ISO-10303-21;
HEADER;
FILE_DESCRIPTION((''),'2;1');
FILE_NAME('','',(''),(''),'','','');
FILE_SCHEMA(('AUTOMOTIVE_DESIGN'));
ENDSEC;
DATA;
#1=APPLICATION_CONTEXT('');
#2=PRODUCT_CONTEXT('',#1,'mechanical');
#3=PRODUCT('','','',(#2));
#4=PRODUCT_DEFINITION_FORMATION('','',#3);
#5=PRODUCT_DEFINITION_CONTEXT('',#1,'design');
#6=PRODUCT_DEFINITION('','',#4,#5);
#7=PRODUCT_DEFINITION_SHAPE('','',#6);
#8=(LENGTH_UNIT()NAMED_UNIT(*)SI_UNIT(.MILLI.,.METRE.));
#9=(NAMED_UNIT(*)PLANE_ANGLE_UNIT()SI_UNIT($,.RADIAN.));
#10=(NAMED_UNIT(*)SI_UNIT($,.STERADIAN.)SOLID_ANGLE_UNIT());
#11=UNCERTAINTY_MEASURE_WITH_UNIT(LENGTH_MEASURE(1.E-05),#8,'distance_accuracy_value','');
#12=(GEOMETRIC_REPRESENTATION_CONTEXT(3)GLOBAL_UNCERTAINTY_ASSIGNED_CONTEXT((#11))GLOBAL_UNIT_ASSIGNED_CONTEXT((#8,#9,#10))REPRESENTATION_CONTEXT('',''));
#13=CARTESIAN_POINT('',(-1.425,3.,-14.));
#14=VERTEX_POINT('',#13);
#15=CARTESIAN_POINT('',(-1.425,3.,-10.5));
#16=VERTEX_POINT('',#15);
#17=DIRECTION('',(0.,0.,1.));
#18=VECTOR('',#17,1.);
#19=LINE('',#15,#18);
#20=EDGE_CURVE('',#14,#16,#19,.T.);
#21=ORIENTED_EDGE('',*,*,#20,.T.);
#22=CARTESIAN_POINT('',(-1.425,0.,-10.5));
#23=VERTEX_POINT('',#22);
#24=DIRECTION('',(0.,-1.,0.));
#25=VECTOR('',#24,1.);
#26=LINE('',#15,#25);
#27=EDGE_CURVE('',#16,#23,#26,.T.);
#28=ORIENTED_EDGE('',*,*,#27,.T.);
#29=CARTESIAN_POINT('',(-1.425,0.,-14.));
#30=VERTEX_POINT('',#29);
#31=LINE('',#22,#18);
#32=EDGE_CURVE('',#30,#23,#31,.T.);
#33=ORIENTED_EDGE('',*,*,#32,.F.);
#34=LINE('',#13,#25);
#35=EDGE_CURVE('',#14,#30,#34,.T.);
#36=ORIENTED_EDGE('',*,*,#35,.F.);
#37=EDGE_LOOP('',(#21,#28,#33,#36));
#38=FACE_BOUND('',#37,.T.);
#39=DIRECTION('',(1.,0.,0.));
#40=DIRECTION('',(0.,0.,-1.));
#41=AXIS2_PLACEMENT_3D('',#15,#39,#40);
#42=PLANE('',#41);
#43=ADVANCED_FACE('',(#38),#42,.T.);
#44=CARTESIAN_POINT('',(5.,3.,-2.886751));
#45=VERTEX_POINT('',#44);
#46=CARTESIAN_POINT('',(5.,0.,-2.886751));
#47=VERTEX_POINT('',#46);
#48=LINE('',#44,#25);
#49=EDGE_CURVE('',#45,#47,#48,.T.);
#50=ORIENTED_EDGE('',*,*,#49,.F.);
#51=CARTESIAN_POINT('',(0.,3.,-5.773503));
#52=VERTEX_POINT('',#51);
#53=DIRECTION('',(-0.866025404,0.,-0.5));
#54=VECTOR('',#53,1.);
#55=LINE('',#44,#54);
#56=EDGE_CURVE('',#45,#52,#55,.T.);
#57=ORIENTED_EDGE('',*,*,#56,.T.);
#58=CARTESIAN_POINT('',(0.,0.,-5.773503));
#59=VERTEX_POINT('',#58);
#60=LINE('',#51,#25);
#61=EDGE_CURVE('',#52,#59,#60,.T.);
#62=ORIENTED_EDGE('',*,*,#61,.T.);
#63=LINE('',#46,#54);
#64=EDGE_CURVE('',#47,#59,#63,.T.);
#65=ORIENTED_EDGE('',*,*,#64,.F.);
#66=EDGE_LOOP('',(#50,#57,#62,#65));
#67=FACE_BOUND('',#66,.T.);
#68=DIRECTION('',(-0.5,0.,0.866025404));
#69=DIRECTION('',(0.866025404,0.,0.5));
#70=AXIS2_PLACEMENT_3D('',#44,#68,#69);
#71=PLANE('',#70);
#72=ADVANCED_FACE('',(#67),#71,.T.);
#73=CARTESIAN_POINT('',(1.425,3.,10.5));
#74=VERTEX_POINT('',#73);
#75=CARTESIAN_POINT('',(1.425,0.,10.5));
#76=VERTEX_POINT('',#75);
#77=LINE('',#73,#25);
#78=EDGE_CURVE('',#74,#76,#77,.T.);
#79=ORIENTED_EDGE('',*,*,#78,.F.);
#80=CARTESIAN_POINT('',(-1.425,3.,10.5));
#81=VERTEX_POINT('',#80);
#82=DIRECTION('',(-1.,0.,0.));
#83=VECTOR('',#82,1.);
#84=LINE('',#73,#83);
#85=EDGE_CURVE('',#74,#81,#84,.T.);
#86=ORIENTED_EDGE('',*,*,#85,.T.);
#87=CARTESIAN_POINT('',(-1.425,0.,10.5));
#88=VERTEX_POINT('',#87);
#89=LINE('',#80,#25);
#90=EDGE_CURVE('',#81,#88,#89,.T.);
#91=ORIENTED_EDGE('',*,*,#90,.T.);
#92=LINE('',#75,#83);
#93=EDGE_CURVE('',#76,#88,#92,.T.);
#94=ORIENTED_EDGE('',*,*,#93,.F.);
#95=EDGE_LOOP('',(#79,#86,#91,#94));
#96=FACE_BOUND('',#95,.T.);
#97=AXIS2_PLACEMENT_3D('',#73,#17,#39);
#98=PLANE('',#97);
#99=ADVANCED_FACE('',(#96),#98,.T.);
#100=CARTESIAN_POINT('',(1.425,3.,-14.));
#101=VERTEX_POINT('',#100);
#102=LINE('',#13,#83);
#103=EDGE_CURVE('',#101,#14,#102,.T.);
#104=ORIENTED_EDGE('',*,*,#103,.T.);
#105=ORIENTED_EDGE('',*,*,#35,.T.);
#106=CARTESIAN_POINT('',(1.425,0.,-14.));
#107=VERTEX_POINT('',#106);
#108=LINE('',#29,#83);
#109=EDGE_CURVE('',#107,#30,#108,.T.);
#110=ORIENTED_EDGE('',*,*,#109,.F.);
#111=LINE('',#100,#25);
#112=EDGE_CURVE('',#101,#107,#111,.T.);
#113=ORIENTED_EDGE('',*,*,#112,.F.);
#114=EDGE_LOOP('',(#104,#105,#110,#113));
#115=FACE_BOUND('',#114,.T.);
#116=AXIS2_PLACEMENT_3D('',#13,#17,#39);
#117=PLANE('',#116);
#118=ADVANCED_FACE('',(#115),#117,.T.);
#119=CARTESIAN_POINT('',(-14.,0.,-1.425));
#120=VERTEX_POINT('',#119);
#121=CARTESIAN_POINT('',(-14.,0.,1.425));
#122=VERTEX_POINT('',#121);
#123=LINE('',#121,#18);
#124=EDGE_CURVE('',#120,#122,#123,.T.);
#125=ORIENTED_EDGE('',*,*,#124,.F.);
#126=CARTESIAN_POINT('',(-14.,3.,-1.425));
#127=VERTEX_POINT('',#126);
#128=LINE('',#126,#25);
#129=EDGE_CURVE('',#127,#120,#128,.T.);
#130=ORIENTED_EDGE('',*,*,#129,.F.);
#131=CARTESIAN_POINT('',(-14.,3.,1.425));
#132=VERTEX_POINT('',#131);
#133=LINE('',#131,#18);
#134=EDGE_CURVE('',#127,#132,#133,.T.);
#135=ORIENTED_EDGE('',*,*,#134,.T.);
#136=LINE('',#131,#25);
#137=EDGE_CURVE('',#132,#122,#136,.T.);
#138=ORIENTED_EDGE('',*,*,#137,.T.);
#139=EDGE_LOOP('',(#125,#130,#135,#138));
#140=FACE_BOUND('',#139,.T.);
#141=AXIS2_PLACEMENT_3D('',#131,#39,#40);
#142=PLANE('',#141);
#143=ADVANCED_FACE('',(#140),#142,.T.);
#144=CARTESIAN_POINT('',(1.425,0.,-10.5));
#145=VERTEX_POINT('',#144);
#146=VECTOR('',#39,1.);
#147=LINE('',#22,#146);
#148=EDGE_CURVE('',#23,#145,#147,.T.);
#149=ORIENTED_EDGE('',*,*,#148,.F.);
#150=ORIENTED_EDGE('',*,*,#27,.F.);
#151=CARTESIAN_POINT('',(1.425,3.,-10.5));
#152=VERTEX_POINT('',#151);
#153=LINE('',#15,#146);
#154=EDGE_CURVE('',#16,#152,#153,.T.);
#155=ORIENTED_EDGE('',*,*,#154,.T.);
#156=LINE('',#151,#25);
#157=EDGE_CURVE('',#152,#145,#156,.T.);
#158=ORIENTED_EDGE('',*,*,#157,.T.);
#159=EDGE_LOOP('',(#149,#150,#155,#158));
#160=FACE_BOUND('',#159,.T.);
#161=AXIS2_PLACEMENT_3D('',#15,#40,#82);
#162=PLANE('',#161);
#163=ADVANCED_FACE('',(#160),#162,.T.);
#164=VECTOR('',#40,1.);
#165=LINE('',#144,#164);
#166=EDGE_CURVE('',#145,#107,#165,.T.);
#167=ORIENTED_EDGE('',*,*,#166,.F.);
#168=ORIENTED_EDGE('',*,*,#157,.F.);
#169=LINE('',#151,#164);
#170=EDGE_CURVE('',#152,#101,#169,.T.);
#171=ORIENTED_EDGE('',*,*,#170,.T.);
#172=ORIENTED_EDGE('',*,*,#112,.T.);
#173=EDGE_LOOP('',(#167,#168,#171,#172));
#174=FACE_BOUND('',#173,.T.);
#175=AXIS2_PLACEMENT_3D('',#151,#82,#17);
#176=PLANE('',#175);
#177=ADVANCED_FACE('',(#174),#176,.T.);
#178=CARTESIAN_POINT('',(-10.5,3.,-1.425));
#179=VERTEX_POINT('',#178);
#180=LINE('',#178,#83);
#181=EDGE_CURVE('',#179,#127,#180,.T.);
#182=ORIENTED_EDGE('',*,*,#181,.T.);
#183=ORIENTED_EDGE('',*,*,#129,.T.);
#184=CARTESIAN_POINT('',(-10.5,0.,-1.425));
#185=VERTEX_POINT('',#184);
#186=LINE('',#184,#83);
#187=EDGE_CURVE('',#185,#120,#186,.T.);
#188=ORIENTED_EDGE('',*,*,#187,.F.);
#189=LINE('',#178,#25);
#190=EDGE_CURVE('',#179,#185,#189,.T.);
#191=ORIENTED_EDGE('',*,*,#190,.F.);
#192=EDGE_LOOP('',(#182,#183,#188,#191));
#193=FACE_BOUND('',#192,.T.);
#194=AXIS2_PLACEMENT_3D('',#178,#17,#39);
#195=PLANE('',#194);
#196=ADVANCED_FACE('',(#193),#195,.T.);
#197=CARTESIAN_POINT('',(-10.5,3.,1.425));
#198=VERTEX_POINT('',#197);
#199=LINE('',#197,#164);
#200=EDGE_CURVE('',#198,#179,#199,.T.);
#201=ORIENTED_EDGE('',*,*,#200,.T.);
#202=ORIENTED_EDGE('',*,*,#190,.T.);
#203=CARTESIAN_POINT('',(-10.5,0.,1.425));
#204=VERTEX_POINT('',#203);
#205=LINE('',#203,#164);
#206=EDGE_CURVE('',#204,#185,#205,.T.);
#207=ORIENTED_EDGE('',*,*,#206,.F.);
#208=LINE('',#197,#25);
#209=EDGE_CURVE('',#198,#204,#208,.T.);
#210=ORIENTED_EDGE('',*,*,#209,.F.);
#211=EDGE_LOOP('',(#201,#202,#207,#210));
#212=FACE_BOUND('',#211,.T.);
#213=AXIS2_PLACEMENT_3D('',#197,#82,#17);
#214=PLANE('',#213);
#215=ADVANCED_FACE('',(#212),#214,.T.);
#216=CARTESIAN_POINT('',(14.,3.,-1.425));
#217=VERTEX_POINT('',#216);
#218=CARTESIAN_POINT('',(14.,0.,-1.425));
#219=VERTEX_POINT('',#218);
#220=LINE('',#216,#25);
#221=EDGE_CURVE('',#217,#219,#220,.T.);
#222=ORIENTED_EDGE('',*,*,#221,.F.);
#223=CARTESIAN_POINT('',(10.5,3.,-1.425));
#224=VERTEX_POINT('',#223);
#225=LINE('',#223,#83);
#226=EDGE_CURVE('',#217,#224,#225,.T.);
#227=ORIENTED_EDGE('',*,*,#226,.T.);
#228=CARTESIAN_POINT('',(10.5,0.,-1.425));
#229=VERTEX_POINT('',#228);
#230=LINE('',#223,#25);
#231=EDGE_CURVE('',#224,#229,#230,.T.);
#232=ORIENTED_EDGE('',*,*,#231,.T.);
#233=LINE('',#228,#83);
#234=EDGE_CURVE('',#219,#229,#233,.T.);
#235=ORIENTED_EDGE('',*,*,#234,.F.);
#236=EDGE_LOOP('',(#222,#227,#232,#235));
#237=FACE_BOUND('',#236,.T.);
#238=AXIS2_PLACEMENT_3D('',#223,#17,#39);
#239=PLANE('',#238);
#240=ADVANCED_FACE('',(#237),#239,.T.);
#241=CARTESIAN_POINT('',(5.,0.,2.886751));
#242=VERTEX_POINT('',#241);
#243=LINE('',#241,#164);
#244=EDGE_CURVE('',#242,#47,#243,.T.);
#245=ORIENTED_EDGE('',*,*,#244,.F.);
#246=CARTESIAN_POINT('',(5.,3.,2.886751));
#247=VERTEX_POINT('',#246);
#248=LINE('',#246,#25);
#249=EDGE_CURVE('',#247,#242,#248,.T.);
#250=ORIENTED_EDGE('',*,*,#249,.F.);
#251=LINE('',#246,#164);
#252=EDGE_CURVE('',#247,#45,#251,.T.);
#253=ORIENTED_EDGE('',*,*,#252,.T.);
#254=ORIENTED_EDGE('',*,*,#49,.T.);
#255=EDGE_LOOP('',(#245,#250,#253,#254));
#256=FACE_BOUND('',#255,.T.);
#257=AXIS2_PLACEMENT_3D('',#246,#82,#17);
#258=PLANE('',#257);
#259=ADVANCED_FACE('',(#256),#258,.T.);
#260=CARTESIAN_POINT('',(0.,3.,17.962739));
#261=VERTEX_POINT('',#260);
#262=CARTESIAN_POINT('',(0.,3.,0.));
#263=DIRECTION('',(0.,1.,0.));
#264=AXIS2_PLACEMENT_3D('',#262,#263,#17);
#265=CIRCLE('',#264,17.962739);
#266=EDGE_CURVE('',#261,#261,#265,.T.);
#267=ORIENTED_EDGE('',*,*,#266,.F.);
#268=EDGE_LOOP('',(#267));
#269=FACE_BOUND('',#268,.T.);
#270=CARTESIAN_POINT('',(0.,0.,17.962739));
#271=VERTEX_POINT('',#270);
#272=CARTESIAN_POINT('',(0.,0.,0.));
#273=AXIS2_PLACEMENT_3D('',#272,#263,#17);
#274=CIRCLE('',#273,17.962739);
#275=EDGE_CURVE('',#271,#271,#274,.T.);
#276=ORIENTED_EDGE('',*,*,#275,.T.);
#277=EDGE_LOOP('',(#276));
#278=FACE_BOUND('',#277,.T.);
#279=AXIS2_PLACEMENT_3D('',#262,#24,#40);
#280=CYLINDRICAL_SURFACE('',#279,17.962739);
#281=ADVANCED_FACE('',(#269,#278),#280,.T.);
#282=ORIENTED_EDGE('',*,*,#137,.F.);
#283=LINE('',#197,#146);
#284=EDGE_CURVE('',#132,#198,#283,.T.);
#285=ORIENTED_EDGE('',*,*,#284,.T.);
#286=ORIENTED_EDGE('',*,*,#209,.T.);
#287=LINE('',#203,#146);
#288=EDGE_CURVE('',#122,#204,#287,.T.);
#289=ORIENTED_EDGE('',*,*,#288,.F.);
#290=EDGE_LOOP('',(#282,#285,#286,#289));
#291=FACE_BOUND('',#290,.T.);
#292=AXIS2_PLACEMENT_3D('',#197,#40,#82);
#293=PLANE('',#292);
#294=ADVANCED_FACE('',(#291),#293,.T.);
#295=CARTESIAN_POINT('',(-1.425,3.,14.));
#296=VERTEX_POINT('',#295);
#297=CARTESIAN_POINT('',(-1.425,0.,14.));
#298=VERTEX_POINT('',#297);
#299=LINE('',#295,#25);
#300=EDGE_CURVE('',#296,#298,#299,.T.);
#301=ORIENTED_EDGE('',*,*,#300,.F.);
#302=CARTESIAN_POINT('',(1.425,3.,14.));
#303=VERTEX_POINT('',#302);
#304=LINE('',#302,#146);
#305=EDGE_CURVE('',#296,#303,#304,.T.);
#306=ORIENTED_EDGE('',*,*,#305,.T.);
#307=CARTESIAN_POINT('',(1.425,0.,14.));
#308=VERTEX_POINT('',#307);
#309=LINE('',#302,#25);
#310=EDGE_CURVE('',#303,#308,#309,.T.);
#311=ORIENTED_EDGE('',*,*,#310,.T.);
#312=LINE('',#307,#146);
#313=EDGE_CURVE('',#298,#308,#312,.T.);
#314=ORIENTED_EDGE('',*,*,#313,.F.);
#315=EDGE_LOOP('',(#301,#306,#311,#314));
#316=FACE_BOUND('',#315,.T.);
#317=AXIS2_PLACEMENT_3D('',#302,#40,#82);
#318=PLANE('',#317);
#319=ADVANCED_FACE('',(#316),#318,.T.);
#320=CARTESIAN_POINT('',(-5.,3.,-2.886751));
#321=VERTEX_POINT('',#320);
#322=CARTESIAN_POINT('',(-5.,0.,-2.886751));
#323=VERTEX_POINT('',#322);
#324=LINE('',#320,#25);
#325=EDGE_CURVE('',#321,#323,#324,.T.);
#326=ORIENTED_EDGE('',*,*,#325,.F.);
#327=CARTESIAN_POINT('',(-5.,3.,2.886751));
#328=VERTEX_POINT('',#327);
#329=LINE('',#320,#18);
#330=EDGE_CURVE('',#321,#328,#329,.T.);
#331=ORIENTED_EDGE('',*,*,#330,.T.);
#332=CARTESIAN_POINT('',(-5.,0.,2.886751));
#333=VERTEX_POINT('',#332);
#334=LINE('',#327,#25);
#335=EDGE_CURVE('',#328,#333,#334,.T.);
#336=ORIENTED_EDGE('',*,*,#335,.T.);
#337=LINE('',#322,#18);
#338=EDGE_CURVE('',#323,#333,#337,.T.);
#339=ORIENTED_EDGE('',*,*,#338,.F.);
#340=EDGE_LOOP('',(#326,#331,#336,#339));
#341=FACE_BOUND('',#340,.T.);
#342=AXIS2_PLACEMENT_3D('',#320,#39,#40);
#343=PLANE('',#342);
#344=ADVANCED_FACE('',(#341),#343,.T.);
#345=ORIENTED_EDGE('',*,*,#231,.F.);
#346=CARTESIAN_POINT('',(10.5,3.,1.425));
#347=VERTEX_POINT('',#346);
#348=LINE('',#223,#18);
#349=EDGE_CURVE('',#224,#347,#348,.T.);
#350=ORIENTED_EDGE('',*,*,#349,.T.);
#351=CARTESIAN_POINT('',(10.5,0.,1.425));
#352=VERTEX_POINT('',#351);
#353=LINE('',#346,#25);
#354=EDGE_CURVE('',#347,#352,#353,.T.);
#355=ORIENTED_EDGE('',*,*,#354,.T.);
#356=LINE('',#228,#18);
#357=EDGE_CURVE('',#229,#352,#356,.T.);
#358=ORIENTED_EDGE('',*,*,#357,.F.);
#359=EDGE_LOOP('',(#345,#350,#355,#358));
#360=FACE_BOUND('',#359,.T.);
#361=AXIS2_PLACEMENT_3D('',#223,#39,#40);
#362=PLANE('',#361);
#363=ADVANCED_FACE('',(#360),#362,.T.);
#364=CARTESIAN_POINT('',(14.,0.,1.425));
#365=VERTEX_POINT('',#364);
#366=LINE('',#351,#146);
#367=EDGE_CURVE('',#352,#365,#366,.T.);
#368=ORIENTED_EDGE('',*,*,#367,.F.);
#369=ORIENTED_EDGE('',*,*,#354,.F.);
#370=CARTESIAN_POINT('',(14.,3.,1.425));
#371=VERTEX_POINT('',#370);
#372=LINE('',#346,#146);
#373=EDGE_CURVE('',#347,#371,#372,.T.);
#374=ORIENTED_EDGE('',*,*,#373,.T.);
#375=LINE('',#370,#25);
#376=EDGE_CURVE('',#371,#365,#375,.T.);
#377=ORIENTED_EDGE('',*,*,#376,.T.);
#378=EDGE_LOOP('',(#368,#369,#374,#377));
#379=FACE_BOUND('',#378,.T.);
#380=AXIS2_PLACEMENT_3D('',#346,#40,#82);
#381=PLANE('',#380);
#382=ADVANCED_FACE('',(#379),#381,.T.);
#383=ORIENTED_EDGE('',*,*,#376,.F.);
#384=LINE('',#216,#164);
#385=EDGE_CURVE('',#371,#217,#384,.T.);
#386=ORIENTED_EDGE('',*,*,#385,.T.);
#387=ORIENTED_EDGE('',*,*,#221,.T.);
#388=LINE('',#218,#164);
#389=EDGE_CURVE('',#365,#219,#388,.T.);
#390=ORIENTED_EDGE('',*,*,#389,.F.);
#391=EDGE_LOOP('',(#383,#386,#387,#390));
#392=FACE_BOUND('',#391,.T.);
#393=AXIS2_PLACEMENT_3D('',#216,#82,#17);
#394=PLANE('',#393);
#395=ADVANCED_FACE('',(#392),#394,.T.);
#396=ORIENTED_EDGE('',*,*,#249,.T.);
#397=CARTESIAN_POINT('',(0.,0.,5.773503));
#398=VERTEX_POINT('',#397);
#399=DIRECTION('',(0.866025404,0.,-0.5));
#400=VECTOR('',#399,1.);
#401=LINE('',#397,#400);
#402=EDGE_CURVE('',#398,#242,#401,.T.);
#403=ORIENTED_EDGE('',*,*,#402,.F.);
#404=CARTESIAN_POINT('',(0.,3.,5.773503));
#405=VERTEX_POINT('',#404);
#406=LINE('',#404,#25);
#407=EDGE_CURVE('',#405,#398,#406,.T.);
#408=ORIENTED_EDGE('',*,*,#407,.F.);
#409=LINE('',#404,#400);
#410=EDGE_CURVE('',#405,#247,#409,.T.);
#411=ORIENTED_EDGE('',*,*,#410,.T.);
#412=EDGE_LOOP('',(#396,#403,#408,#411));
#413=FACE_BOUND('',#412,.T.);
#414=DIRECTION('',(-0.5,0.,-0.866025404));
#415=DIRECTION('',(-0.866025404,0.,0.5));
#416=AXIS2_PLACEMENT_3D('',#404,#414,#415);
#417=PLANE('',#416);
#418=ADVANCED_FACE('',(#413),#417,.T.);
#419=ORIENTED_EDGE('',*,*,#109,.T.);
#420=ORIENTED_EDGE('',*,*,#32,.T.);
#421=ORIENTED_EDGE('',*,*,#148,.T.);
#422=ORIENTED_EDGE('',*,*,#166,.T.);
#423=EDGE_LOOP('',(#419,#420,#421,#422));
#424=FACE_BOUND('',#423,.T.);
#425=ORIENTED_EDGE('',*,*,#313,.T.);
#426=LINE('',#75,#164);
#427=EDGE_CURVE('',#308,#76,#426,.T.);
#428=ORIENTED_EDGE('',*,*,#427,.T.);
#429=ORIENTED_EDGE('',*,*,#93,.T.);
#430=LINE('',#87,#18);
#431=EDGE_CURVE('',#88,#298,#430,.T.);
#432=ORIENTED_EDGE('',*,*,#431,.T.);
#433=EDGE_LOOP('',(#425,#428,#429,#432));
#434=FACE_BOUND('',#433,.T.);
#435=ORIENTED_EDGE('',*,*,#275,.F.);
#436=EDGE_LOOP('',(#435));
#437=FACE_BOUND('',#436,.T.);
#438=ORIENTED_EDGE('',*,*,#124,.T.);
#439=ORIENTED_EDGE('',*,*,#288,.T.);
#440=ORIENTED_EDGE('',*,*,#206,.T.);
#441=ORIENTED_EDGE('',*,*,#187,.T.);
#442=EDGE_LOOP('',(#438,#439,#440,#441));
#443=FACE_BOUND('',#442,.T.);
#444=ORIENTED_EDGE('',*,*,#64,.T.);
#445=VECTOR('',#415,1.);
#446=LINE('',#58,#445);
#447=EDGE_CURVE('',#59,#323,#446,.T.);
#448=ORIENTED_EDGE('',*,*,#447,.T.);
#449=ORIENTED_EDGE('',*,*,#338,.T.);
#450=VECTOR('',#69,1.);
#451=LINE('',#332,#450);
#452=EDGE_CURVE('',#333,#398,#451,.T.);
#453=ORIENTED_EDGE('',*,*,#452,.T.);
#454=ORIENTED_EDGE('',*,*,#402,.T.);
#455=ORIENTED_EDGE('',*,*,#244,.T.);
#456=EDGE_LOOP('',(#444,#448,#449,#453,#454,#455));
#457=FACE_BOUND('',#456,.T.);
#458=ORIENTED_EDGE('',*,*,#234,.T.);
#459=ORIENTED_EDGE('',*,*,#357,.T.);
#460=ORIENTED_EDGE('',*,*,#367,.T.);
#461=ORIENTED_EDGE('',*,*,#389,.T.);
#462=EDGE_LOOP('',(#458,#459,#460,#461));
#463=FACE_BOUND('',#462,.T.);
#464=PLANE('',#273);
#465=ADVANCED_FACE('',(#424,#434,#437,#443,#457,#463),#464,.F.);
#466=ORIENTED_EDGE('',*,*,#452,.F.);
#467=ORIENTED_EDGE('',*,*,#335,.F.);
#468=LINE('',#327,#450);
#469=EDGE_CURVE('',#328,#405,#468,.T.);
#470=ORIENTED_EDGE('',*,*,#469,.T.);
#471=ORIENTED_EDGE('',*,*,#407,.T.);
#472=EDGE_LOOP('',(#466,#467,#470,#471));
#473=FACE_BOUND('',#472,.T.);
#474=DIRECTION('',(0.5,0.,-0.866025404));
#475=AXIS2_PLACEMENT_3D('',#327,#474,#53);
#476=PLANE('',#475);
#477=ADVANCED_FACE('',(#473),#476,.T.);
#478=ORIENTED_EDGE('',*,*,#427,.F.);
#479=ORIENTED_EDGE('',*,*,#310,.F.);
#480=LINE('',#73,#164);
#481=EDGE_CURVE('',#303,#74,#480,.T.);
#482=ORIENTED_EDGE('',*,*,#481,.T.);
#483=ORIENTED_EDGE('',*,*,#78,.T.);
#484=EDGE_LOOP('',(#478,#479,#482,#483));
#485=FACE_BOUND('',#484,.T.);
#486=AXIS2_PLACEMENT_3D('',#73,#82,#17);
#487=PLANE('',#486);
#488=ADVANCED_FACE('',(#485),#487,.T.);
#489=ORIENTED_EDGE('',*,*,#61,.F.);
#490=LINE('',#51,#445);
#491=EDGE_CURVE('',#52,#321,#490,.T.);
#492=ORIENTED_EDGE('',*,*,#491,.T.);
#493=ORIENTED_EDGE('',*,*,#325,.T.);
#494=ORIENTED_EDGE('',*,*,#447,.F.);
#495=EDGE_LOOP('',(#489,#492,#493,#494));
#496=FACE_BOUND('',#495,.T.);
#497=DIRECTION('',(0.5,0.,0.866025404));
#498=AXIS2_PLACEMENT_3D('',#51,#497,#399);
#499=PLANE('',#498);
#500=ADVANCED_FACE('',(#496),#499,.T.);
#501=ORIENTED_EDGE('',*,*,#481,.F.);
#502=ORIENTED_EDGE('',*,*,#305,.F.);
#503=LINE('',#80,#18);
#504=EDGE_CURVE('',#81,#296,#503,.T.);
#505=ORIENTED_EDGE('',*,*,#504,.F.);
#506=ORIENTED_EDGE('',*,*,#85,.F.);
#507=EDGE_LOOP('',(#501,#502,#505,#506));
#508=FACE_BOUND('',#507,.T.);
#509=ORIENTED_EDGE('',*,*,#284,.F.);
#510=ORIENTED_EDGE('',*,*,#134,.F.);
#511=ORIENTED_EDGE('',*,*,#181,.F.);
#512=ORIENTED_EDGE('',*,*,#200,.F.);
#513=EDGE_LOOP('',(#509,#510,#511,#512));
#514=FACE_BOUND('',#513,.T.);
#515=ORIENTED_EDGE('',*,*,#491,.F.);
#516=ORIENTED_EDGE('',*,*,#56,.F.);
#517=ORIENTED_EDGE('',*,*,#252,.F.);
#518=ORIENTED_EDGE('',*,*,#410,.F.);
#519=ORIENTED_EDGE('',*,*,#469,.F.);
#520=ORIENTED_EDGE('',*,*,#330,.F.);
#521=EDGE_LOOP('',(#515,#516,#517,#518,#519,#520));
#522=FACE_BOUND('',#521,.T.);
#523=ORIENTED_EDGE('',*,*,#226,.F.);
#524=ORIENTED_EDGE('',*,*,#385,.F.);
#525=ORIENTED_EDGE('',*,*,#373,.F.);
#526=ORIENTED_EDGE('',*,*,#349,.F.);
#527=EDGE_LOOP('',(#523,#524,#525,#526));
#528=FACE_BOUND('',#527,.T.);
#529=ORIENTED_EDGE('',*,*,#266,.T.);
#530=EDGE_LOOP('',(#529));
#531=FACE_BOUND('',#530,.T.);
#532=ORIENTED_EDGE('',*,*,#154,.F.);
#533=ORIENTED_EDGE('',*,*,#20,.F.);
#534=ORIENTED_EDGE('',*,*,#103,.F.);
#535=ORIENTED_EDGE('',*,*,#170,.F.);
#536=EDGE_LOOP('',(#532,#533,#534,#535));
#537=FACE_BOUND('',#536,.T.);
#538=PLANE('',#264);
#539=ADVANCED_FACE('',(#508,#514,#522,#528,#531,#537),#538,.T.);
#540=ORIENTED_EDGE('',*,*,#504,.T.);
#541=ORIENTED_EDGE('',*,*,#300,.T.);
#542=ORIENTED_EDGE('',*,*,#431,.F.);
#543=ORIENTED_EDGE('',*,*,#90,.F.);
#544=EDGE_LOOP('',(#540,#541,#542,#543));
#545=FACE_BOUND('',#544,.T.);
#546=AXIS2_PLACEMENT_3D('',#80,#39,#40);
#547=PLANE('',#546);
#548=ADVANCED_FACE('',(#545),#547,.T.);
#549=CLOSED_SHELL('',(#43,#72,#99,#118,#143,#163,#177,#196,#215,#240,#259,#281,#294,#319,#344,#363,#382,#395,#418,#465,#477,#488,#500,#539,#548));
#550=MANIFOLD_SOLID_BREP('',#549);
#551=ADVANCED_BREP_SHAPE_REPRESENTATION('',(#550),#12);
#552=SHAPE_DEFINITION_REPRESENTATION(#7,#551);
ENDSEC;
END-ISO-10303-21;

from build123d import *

# Parameters (mm, degrees)
SKETCH1_R           = 17.962739212
SKETCH1_W           = 3.5
SKETCH1_H           = 2.85
SKETCH1_W_2         = 2.85
SKETCH1_H_2         = 3.5
BOSS_EXTRUDE1_DEPTH = 3


with BuildPart() as part:
    # Sketch1 → Boss-Extrude1 (new body)
    with BuildSketch(Plane(origin=(0, 0, 0), x_dir=(1, 0, 0), z_dir=(0, 1, 0))):
        with Locations(Location((0, 0, 0), (0, 0, 270))):
            Circle(SKETCH1_R)
        with Locations((-12.25, 0)):
            Rectangle(SKETCH1_W, SKETCH1_H, mode=Mode.SUBTRACT)
        with Locations((0, -12.25)):
            Rectangle(SKETCH1_W_2, SKETCH1_H_2, mode=Mode.SUBTRACT)
        with Locations((0, 12.25)):
            Rectangle(SKETCH1_W_2, SKETCH1_H_2, mode=Mode.SUBTRACT)
        with Locations((12.25, 0)):
            Rectangle(SKETCH1_W, SKETCH1_H, mode=Mode.SUBTRACT)
        Polygon((0, -5.773502692), (5, -2.886751346), (5, 2.886751346), (0, 5.773502692), (-5, 2.886751346), (-5, -2.886751346), align=None, mode=Mode.SUBTRACT)
    extrude(amount=BOSS_EXTRUDE1_DEPTH)


solid = part.part
